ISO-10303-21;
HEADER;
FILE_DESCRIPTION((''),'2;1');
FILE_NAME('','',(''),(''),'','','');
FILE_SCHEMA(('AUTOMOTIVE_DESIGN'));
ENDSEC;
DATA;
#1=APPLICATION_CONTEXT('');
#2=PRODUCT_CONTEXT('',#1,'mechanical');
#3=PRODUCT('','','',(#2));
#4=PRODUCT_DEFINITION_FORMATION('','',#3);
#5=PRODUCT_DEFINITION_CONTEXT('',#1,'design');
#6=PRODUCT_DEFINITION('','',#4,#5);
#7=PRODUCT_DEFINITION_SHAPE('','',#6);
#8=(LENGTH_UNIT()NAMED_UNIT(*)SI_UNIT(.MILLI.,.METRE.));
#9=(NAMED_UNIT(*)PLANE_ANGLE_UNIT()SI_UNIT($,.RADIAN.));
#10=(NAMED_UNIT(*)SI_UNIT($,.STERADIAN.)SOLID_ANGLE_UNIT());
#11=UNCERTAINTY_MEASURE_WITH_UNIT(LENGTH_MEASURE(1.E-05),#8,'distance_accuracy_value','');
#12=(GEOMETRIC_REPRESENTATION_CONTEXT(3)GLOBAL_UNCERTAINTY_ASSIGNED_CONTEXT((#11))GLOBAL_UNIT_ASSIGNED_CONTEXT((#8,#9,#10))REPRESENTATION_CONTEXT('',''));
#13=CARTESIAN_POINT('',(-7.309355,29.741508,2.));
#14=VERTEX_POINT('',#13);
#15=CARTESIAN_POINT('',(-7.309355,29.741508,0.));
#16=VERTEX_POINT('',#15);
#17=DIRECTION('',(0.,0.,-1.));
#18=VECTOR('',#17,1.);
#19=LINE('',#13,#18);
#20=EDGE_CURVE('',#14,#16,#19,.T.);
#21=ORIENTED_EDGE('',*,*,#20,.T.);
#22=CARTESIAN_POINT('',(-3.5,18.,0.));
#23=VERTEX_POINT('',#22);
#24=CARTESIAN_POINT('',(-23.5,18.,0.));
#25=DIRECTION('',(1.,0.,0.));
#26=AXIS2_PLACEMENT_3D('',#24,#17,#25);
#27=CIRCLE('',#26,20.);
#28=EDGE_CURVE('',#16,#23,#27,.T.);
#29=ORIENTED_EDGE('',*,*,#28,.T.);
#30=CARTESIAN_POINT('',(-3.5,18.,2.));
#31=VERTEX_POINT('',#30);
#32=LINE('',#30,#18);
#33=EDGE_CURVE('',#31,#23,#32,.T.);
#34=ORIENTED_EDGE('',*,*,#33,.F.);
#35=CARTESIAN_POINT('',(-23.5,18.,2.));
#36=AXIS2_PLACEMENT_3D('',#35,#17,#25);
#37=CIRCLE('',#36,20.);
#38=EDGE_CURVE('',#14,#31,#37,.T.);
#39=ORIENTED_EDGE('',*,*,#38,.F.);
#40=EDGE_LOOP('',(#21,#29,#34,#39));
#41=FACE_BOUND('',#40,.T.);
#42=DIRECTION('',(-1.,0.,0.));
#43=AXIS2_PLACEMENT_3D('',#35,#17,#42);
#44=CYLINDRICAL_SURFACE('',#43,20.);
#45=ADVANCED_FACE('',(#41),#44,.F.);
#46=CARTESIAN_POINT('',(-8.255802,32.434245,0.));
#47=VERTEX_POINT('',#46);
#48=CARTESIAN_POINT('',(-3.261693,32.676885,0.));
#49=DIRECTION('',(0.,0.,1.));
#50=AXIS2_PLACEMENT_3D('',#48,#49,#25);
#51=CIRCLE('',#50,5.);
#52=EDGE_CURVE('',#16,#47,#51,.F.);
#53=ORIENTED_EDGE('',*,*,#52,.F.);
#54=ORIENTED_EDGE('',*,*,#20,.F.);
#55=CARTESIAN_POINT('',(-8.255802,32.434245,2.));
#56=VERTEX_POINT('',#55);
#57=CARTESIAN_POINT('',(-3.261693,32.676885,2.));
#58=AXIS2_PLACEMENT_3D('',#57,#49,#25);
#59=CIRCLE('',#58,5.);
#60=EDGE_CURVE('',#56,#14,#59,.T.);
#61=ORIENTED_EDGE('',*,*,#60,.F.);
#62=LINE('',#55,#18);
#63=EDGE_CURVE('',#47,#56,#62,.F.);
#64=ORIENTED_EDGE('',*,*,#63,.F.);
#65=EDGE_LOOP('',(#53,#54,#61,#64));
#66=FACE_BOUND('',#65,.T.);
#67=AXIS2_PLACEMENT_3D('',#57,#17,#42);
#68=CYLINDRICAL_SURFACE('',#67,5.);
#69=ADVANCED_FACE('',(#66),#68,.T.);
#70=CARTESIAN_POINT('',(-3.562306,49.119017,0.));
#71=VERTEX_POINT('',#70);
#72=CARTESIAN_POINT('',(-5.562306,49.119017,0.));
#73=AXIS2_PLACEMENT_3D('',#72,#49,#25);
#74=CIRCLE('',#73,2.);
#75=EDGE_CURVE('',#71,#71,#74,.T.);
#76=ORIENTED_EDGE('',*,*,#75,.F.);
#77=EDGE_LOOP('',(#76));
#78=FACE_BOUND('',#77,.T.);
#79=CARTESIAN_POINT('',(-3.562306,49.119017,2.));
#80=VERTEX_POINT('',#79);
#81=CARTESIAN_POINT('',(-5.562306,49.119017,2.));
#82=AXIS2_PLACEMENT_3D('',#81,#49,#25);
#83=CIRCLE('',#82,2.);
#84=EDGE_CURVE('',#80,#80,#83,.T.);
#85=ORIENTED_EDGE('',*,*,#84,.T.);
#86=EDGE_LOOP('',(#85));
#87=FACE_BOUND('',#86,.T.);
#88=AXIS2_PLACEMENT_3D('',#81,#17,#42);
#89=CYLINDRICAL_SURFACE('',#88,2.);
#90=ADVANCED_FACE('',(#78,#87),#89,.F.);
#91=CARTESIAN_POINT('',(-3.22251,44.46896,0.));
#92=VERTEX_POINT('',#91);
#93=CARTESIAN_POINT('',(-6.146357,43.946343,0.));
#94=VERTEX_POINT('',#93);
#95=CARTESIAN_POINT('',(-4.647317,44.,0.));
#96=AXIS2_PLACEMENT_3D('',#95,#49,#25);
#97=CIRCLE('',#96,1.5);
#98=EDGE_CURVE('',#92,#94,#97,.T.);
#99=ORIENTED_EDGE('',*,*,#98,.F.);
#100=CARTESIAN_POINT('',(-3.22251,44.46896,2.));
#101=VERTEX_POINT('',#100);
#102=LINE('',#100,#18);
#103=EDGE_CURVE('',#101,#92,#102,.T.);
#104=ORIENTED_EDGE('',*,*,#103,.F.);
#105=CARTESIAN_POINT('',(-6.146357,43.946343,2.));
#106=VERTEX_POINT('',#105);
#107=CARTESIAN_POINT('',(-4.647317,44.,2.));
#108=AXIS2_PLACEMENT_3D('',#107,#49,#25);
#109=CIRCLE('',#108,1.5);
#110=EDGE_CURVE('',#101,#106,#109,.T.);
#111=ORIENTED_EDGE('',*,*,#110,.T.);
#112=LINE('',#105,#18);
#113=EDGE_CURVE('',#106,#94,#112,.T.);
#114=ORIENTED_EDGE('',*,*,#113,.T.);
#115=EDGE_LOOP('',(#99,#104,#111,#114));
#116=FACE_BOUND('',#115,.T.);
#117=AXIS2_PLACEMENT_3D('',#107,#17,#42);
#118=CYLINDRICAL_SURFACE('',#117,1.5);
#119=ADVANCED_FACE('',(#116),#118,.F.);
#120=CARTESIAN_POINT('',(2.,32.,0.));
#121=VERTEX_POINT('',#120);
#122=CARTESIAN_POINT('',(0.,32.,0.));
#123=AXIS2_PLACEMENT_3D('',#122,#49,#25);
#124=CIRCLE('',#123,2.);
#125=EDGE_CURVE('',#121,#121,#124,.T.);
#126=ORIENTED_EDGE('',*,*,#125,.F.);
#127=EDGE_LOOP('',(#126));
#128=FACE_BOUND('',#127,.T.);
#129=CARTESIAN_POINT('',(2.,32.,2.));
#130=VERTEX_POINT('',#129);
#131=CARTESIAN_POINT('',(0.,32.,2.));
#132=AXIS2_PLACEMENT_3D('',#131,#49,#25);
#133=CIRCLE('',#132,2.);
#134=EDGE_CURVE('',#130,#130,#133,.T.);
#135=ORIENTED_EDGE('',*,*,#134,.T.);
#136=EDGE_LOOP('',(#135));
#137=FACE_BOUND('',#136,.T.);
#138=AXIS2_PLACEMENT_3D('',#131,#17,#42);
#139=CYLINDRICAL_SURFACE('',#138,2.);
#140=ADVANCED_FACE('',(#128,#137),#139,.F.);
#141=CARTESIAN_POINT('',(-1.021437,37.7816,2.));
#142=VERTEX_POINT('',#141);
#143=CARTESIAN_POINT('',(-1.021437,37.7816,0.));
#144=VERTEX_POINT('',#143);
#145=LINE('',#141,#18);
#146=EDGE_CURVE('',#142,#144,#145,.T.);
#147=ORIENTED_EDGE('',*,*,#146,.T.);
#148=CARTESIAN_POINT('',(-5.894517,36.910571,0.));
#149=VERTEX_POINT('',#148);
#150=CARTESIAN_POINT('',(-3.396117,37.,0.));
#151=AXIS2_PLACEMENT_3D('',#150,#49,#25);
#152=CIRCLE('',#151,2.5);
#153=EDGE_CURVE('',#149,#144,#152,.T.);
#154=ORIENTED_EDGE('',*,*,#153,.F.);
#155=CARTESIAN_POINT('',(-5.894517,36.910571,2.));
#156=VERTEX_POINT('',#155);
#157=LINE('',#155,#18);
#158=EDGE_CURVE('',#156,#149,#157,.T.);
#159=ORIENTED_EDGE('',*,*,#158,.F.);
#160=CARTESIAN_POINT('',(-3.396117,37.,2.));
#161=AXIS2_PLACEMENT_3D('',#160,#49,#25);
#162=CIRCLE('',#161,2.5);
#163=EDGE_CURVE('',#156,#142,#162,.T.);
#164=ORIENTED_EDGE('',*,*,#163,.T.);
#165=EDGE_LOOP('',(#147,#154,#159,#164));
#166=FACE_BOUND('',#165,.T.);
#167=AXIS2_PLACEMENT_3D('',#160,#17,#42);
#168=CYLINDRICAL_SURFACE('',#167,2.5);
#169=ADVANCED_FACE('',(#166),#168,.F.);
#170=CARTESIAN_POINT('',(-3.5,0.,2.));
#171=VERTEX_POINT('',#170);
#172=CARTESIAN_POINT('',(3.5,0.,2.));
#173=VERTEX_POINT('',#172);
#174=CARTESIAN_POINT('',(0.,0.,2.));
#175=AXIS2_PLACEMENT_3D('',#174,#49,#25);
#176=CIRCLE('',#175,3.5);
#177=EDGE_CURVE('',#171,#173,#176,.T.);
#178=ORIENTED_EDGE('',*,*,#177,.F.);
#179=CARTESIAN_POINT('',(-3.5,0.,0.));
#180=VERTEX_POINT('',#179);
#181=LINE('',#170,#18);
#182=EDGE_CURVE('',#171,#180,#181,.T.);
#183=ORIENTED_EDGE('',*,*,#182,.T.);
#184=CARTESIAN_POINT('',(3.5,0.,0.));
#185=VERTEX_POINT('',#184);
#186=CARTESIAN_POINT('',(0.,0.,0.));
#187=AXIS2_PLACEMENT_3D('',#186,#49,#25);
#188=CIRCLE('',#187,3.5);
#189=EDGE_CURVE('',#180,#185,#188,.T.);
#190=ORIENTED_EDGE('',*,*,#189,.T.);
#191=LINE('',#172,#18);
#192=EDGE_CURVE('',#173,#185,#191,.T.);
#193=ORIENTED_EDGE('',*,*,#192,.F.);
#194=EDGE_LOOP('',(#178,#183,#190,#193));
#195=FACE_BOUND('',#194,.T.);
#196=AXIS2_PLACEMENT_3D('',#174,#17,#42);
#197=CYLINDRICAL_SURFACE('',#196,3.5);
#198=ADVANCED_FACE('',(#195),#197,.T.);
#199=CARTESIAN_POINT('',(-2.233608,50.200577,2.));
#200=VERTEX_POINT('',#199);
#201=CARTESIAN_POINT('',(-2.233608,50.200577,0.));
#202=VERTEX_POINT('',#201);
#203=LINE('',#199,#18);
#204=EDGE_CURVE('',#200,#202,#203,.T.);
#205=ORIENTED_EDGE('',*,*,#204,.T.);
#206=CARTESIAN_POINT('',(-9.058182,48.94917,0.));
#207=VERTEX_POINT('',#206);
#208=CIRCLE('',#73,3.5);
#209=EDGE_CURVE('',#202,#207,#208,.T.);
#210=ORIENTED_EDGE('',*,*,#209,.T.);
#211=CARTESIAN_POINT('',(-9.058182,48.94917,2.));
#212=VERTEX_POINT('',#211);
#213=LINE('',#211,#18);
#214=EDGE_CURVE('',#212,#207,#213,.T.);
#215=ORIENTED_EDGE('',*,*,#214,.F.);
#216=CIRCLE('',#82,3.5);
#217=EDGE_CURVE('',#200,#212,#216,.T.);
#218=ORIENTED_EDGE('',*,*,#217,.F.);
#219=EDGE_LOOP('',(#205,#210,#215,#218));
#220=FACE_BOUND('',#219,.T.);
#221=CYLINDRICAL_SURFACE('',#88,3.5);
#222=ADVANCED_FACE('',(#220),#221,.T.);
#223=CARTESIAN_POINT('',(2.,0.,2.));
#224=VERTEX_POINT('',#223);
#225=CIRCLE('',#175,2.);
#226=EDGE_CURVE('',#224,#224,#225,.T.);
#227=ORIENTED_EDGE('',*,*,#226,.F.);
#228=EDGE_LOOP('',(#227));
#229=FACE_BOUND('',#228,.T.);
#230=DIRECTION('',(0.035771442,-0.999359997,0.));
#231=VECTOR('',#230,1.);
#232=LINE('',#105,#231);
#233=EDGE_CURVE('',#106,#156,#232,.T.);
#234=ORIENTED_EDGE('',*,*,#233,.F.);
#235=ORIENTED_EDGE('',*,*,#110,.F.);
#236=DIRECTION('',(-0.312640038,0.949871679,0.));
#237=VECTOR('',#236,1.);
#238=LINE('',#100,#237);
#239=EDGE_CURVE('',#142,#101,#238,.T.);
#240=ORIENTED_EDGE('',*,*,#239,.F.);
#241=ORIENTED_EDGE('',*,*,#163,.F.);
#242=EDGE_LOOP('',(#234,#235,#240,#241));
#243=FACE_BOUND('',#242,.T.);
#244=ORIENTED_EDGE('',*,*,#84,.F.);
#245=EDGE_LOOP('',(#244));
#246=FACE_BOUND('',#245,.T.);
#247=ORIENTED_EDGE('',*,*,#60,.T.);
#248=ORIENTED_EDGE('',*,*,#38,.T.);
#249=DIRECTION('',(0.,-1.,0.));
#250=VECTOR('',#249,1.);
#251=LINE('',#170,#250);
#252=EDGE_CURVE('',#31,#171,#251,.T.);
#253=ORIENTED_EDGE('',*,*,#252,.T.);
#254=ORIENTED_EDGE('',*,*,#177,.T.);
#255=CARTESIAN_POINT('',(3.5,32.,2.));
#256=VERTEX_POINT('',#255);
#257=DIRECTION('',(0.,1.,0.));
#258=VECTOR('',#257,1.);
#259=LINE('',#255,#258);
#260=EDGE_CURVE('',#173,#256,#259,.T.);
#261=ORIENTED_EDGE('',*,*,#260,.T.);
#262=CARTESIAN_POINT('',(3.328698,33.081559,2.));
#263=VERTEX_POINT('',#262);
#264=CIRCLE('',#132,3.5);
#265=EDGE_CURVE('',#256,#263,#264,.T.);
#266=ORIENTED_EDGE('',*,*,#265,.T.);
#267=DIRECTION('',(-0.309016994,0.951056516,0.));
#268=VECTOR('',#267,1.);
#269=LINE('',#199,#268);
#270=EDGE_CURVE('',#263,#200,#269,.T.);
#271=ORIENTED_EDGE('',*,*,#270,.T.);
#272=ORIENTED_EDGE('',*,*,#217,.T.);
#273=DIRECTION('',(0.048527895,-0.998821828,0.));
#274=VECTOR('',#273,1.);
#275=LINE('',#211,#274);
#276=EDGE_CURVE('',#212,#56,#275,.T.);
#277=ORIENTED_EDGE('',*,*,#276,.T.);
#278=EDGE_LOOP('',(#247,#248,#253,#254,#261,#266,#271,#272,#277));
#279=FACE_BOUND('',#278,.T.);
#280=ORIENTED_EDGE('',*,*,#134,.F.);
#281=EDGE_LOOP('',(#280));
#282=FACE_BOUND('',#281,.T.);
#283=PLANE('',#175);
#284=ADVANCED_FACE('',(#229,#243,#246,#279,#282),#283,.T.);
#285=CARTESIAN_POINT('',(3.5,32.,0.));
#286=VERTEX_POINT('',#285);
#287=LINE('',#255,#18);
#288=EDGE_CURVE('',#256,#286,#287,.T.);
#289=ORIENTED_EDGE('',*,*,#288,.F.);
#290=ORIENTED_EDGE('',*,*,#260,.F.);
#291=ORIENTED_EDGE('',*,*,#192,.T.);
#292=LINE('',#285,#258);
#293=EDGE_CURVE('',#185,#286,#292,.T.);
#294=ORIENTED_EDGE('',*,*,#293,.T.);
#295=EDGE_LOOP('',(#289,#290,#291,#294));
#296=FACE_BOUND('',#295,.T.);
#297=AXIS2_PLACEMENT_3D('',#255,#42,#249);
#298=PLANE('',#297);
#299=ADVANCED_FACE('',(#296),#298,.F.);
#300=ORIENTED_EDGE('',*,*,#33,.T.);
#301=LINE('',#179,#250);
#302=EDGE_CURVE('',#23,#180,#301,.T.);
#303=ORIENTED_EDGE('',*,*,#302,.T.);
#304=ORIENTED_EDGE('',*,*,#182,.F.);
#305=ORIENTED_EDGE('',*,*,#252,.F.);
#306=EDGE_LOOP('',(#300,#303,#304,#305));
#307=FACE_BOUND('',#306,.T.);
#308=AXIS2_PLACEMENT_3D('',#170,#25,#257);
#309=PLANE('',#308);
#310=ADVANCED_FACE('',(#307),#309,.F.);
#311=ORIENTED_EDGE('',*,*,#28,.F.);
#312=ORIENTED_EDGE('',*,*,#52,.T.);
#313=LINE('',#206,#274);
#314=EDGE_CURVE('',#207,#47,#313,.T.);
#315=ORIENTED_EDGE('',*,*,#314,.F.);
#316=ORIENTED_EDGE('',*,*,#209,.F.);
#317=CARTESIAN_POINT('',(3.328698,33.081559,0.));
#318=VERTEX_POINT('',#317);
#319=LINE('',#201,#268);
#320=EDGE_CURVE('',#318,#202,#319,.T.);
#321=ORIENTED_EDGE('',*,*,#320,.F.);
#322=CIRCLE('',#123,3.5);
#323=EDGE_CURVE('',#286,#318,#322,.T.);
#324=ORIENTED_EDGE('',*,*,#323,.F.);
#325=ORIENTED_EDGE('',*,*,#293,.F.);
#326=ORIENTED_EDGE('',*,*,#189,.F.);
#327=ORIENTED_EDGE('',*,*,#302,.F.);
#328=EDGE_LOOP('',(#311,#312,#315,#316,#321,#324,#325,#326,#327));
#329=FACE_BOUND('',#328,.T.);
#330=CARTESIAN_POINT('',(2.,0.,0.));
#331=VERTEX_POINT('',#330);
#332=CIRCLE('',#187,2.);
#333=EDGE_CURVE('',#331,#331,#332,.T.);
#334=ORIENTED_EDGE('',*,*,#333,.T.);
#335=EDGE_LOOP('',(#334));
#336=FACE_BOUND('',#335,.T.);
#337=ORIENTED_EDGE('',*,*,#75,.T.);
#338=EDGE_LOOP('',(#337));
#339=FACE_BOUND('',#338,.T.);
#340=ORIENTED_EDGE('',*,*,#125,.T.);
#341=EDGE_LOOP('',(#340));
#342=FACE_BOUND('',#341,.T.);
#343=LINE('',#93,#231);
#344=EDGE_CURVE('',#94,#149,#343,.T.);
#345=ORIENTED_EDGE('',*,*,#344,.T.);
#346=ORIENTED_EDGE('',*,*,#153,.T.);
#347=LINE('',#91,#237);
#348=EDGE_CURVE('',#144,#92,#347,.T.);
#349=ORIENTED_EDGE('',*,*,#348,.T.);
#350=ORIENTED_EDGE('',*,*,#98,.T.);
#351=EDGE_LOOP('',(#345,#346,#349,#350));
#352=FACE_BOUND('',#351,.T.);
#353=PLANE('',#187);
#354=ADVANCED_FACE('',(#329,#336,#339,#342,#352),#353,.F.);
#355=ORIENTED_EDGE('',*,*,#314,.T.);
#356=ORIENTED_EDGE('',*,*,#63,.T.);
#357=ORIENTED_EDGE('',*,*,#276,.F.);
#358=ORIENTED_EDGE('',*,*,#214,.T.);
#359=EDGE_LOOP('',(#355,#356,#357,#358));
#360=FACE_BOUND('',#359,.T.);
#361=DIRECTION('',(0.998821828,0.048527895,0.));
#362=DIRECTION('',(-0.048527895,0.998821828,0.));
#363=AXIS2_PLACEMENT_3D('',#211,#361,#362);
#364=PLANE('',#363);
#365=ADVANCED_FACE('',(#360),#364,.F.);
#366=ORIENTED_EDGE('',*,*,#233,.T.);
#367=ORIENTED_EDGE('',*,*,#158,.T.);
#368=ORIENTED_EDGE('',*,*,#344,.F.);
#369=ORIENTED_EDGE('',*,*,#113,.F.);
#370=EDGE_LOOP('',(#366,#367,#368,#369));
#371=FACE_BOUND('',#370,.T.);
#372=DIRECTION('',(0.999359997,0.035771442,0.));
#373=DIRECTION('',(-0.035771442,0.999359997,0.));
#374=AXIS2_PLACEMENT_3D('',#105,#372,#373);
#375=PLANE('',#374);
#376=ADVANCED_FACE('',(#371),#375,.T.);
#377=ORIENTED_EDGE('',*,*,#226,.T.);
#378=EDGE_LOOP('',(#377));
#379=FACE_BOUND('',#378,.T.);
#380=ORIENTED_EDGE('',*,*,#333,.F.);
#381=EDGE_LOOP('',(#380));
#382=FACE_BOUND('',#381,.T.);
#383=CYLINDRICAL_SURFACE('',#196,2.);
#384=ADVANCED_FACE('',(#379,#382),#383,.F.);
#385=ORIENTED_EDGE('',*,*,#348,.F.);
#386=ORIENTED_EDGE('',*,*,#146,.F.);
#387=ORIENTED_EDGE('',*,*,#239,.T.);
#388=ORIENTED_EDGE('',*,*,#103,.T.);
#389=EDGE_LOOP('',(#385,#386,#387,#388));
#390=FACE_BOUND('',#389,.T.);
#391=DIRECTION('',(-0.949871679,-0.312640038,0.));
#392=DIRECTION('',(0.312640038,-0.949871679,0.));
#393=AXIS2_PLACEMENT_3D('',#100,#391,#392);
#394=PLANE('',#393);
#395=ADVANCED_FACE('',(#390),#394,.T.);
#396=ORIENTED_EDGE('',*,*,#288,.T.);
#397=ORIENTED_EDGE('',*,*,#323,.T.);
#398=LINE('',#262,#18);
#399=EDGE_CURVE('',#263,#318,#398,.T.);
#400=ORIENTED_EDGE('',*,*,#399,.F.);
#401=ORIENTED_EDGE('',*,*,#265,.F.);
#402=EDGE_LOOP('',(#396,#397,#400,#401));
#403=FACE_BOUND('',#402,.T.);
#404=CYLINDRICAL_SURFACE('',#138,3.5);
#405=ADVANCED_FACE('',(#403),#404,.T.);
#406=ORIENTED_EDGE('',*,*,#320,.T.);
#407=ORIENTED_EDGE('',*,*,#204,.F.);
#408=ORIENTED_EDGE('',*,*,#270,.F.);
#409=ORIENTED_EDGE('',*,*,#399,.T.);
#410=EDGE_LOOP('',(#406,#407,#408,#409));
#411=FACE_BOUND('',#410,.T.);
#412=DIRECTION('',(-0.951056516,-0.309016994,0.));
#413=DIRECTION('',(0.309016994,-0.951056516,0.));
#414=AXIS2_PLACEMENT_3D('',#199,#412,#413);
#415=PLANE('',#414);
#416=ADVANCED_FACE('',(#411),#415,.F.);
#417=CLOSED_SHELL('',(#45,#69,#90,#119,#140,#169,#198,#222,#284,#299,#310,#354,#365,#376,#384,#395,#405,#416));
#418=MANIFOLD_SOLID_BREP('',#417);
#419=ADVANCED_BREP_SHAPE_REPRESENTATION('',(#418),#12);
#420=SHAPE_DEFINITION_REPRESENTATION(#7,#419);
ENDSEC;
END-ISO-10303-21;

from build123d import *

# Parameters (mm, degrees)
SKETCH_1_R      = 2
EXTRUDE_2_DEPTH = 2
FILLET_1_R      = 5


with BuildPart() as part:
    # 草图1 → 凸台-拉伸2 (new body)
    with BuildSketch(Plane.XY):
        with BuildLine():
            Line((3.5, 32), (3.5, 0))
            ThreePointArc((3.5, 0), (0, -3.5), (-3.5, 0))
            Line((-3.5, 0), (-3.5, 18))
            ThreePointArc((-3.5, 18), (-4.706147584, 24.840402867), (-8.179111138, 30.855752194))
            Line((-8.179111138, 30.855752194), (-9.058182296, 48.949169661))
            ThreePointArc((-9.058182296, 48.949169661), (-6.193568214, 52.5616192), (-2.233608092, 50.200576774))
            Line((-2.233608092, 50.200576774), (3.328697807, 33.08155948))
            ThreePointArc((3.328697807, 33.08155948), (3.456909192, 32.547520628), (3.5, 32))
        make_face()
        with Locations((0, 32)):
            Circle(SKETCH_1_R, mode=Mode.SUBTRACT)
        Circle(SKETCH_1_R, mode=Mode.SUBTRACT)
        with Locations((-5.562305899, 49.119017293)):
            Circle(SKETCH_1_R, mode=Mode.SUBTRACT)
        with BuildLine():
            Line((-6.146357487, 43.946342838), (-5.894516621, 36.910571396))
            ThreePointArc((-5.894516621, 36.910571396), (-2.956230896, 34.539004156), (-1.02143743, 37.781600094))
            Line((-1.02143743, 37.781600094), (-3.222509972, 44.468960057))
            ThreePointArc((-3.222509972, 44.468960057), (-4.91124893, 45.476597506), (-6.146357487, 43.946342838))
        make_face(mode=Mode.SUBTRACT)
    extrude(amount=EXTRUDE_2_DEPTH)

    # 圆角1
    fillet_1_edges = [part.edges().sort_by_distance(p)[0] for p in [
        (-8.179111138, 30.855752194, 1),
    ]]
    fillet(fillet_1_edges, radius=FILLET_1_R)


solid = part.part
